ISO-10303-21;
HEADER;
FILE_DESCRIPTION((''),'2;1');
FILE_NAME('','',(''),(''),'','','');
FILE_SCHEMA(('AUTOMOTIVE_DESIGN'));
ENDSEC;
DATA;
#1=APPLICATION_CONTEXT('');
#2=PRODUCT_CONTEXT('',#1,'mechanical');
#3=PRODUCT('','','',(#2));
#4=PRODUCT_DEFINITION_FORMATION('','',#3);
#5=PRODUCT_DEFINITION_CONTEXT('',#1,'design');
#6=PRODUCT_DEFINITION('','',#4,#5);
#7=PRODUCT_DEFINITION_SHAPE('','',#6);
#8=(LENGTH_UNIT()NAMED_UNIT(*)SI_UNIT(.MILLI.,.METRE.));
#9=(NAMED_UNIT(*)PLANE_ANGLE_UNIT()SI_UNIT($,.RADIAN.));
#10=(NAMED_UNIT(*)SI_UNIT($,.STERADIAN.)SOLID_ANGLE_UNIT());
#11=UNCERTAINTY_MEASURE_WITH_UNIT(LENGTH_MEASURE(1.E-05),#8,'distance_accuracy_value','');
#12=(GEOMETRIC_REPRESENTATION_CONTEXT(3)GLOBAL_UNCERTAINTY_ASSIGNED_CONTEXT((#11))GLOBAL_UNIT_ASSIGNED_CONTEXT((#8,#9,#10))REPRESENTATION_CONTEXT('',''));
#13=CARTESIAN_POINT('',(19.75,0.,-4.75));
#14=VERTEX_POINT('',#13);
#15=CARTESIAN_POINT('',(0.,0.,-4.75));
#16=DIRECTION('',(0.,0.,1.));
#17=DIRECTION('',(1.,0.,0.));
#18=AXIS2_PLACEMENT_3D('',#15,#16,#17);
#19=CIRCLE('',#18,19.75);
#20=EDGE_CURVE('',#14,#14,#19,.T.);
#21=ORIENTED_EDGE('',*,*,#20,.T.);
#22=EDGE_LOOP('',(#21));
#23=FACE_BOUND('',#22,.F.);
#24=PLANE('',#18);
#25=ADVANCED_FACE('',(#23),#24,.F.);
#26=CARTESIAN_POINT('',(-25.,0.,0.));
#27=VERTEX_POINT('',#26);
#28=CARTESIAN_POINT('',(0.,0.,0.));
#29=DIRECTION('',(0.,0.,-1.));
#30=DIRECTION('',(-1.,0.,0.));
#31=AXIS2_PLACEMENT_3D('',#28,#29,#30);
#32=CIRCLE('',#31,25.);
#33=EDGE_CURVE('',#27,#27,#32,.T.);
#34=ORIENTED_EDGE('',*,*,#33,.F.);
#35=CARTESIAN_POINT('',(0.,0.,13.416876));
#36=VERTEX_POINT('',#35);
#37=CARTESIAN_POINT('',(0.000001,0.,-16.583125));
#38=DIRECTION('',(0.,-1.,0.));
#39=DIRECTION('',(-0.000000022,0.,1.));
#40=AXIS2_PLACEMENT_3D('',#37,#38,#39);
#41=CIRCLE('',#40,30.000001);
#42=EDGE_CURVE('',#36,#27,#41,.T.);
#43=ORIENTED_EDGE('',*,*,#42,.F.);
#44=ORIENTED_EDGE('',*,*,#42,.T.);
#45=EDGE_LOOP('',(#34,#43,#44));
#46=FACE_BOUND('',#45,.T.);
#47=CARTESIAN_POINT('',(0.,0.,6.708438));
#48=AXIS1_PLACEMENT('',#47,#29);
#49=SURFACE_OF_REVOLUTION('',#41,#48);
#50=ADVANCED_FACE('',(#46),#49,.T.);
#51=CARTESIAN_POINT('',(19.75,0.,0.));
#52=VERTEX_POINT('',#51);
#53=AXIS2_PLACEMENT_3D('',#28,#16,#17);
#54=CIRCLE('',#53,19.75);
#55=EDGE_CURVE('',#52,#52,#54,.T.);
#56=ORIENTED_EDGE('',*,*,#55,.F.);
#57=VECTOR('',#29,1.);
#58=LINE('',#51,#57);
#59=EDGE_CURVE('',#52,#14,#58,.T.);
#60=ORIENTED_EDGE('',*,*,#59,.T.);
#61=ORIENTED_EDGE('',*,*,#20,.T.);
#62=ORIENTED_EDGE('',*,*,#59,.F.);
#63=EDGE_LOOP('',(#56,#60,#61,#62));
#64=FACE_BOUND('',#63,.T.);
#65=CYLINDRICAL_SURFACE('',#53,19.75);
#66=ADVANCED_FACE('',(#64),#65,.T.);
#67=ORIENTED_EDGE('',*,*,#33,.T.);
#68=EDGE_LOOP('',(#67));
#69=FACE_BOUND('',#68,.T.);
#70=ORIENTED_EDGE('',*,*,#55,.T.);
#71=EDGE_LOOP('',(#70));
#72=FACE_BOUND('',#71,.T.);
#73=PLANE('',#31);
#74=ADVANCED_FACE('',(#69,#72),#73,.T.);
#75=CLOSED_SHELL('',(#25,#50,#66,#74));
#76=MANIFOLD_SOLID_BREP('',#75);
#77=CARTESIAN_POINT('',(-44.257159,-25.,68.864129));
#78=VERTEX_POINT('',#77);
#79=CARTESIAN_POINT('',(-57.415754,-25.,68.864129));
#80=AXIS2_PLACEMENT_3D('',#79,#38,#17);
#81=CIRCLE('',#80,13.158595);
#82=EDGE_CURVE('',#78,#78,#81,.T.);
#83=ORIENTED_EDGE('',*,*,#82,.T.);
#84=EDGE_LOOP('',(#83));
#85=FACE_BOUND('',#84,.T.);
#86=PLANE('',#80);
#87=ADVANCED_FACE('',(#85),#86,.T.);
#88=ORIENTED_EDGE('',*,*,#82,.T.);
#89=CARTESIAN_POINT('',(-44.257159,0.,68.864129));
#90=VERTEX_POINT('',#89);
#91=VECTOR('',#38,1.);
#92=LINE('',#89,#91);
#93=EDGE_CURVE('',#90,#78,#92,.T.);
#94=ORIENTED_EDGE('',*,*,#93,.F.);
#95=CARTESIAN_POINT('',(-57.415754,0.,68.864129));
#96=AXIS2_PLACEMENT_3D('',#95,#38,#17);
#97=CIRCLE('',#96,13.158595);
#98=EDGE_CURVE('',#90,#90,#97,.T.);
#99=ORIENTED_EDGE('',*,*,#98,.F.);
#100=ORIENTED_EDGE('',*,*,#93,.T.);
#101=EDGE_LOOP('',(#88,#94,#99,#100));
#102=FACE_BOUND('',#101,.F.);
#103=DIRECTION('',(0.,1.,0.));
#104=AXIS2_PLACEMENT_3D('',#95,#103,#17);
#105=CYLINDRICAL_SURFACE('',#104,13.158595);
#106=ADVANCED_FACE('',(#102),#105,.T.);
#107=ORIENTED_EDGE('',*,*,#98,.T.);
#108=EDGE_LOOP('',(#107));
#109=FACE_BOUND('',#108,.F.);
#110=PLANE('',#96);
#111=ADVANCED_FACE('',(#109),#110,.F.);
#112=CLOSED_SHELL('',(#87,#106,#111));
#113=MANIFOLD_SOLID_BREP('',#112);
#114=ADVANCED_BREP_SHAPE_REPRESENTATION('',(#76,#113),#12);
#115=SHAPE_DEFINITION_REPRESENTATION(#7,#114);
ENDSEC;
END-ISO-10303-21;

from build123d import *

# Parameters (mm, degrees)
F0_R     = 19.75
F1_DEPTH = 4.75
F4_R     = 13.158595
F5_DEPTH = 25


with BuildPart() as f1:
    # F0 (on Top) → F1 (new body)
    with BuildSketch(Plane.XY):
        Circle(F0_R)
    extrude(amount=-F1_DEPTH)

    # F2 (on Front) → F3 (revolve)
    with BuildSketch(Plane.XZ):
        with BuildLine():
            Line((-25, 0), (0, 0))
            Line((0, 0), (0, 13.416876))
            ThreePointArc((0, 13.416876), (-14.186372, 9.850696), (-25, 0))
        make_face()
    revolve(axis=Axis((0, 0, 6.708438), (0, 0, -1)))


with BuildPart() as f5:
    # F4 (on Front) → F5 (new body)
    with BuildSketch(Plane.XZ):
        with Locations((-57.415754, 68.864129)):
            Circle(F4_R)
    extrude(amount=F5_DEPTH)


solid = Compound([f1.part, f5.part])
